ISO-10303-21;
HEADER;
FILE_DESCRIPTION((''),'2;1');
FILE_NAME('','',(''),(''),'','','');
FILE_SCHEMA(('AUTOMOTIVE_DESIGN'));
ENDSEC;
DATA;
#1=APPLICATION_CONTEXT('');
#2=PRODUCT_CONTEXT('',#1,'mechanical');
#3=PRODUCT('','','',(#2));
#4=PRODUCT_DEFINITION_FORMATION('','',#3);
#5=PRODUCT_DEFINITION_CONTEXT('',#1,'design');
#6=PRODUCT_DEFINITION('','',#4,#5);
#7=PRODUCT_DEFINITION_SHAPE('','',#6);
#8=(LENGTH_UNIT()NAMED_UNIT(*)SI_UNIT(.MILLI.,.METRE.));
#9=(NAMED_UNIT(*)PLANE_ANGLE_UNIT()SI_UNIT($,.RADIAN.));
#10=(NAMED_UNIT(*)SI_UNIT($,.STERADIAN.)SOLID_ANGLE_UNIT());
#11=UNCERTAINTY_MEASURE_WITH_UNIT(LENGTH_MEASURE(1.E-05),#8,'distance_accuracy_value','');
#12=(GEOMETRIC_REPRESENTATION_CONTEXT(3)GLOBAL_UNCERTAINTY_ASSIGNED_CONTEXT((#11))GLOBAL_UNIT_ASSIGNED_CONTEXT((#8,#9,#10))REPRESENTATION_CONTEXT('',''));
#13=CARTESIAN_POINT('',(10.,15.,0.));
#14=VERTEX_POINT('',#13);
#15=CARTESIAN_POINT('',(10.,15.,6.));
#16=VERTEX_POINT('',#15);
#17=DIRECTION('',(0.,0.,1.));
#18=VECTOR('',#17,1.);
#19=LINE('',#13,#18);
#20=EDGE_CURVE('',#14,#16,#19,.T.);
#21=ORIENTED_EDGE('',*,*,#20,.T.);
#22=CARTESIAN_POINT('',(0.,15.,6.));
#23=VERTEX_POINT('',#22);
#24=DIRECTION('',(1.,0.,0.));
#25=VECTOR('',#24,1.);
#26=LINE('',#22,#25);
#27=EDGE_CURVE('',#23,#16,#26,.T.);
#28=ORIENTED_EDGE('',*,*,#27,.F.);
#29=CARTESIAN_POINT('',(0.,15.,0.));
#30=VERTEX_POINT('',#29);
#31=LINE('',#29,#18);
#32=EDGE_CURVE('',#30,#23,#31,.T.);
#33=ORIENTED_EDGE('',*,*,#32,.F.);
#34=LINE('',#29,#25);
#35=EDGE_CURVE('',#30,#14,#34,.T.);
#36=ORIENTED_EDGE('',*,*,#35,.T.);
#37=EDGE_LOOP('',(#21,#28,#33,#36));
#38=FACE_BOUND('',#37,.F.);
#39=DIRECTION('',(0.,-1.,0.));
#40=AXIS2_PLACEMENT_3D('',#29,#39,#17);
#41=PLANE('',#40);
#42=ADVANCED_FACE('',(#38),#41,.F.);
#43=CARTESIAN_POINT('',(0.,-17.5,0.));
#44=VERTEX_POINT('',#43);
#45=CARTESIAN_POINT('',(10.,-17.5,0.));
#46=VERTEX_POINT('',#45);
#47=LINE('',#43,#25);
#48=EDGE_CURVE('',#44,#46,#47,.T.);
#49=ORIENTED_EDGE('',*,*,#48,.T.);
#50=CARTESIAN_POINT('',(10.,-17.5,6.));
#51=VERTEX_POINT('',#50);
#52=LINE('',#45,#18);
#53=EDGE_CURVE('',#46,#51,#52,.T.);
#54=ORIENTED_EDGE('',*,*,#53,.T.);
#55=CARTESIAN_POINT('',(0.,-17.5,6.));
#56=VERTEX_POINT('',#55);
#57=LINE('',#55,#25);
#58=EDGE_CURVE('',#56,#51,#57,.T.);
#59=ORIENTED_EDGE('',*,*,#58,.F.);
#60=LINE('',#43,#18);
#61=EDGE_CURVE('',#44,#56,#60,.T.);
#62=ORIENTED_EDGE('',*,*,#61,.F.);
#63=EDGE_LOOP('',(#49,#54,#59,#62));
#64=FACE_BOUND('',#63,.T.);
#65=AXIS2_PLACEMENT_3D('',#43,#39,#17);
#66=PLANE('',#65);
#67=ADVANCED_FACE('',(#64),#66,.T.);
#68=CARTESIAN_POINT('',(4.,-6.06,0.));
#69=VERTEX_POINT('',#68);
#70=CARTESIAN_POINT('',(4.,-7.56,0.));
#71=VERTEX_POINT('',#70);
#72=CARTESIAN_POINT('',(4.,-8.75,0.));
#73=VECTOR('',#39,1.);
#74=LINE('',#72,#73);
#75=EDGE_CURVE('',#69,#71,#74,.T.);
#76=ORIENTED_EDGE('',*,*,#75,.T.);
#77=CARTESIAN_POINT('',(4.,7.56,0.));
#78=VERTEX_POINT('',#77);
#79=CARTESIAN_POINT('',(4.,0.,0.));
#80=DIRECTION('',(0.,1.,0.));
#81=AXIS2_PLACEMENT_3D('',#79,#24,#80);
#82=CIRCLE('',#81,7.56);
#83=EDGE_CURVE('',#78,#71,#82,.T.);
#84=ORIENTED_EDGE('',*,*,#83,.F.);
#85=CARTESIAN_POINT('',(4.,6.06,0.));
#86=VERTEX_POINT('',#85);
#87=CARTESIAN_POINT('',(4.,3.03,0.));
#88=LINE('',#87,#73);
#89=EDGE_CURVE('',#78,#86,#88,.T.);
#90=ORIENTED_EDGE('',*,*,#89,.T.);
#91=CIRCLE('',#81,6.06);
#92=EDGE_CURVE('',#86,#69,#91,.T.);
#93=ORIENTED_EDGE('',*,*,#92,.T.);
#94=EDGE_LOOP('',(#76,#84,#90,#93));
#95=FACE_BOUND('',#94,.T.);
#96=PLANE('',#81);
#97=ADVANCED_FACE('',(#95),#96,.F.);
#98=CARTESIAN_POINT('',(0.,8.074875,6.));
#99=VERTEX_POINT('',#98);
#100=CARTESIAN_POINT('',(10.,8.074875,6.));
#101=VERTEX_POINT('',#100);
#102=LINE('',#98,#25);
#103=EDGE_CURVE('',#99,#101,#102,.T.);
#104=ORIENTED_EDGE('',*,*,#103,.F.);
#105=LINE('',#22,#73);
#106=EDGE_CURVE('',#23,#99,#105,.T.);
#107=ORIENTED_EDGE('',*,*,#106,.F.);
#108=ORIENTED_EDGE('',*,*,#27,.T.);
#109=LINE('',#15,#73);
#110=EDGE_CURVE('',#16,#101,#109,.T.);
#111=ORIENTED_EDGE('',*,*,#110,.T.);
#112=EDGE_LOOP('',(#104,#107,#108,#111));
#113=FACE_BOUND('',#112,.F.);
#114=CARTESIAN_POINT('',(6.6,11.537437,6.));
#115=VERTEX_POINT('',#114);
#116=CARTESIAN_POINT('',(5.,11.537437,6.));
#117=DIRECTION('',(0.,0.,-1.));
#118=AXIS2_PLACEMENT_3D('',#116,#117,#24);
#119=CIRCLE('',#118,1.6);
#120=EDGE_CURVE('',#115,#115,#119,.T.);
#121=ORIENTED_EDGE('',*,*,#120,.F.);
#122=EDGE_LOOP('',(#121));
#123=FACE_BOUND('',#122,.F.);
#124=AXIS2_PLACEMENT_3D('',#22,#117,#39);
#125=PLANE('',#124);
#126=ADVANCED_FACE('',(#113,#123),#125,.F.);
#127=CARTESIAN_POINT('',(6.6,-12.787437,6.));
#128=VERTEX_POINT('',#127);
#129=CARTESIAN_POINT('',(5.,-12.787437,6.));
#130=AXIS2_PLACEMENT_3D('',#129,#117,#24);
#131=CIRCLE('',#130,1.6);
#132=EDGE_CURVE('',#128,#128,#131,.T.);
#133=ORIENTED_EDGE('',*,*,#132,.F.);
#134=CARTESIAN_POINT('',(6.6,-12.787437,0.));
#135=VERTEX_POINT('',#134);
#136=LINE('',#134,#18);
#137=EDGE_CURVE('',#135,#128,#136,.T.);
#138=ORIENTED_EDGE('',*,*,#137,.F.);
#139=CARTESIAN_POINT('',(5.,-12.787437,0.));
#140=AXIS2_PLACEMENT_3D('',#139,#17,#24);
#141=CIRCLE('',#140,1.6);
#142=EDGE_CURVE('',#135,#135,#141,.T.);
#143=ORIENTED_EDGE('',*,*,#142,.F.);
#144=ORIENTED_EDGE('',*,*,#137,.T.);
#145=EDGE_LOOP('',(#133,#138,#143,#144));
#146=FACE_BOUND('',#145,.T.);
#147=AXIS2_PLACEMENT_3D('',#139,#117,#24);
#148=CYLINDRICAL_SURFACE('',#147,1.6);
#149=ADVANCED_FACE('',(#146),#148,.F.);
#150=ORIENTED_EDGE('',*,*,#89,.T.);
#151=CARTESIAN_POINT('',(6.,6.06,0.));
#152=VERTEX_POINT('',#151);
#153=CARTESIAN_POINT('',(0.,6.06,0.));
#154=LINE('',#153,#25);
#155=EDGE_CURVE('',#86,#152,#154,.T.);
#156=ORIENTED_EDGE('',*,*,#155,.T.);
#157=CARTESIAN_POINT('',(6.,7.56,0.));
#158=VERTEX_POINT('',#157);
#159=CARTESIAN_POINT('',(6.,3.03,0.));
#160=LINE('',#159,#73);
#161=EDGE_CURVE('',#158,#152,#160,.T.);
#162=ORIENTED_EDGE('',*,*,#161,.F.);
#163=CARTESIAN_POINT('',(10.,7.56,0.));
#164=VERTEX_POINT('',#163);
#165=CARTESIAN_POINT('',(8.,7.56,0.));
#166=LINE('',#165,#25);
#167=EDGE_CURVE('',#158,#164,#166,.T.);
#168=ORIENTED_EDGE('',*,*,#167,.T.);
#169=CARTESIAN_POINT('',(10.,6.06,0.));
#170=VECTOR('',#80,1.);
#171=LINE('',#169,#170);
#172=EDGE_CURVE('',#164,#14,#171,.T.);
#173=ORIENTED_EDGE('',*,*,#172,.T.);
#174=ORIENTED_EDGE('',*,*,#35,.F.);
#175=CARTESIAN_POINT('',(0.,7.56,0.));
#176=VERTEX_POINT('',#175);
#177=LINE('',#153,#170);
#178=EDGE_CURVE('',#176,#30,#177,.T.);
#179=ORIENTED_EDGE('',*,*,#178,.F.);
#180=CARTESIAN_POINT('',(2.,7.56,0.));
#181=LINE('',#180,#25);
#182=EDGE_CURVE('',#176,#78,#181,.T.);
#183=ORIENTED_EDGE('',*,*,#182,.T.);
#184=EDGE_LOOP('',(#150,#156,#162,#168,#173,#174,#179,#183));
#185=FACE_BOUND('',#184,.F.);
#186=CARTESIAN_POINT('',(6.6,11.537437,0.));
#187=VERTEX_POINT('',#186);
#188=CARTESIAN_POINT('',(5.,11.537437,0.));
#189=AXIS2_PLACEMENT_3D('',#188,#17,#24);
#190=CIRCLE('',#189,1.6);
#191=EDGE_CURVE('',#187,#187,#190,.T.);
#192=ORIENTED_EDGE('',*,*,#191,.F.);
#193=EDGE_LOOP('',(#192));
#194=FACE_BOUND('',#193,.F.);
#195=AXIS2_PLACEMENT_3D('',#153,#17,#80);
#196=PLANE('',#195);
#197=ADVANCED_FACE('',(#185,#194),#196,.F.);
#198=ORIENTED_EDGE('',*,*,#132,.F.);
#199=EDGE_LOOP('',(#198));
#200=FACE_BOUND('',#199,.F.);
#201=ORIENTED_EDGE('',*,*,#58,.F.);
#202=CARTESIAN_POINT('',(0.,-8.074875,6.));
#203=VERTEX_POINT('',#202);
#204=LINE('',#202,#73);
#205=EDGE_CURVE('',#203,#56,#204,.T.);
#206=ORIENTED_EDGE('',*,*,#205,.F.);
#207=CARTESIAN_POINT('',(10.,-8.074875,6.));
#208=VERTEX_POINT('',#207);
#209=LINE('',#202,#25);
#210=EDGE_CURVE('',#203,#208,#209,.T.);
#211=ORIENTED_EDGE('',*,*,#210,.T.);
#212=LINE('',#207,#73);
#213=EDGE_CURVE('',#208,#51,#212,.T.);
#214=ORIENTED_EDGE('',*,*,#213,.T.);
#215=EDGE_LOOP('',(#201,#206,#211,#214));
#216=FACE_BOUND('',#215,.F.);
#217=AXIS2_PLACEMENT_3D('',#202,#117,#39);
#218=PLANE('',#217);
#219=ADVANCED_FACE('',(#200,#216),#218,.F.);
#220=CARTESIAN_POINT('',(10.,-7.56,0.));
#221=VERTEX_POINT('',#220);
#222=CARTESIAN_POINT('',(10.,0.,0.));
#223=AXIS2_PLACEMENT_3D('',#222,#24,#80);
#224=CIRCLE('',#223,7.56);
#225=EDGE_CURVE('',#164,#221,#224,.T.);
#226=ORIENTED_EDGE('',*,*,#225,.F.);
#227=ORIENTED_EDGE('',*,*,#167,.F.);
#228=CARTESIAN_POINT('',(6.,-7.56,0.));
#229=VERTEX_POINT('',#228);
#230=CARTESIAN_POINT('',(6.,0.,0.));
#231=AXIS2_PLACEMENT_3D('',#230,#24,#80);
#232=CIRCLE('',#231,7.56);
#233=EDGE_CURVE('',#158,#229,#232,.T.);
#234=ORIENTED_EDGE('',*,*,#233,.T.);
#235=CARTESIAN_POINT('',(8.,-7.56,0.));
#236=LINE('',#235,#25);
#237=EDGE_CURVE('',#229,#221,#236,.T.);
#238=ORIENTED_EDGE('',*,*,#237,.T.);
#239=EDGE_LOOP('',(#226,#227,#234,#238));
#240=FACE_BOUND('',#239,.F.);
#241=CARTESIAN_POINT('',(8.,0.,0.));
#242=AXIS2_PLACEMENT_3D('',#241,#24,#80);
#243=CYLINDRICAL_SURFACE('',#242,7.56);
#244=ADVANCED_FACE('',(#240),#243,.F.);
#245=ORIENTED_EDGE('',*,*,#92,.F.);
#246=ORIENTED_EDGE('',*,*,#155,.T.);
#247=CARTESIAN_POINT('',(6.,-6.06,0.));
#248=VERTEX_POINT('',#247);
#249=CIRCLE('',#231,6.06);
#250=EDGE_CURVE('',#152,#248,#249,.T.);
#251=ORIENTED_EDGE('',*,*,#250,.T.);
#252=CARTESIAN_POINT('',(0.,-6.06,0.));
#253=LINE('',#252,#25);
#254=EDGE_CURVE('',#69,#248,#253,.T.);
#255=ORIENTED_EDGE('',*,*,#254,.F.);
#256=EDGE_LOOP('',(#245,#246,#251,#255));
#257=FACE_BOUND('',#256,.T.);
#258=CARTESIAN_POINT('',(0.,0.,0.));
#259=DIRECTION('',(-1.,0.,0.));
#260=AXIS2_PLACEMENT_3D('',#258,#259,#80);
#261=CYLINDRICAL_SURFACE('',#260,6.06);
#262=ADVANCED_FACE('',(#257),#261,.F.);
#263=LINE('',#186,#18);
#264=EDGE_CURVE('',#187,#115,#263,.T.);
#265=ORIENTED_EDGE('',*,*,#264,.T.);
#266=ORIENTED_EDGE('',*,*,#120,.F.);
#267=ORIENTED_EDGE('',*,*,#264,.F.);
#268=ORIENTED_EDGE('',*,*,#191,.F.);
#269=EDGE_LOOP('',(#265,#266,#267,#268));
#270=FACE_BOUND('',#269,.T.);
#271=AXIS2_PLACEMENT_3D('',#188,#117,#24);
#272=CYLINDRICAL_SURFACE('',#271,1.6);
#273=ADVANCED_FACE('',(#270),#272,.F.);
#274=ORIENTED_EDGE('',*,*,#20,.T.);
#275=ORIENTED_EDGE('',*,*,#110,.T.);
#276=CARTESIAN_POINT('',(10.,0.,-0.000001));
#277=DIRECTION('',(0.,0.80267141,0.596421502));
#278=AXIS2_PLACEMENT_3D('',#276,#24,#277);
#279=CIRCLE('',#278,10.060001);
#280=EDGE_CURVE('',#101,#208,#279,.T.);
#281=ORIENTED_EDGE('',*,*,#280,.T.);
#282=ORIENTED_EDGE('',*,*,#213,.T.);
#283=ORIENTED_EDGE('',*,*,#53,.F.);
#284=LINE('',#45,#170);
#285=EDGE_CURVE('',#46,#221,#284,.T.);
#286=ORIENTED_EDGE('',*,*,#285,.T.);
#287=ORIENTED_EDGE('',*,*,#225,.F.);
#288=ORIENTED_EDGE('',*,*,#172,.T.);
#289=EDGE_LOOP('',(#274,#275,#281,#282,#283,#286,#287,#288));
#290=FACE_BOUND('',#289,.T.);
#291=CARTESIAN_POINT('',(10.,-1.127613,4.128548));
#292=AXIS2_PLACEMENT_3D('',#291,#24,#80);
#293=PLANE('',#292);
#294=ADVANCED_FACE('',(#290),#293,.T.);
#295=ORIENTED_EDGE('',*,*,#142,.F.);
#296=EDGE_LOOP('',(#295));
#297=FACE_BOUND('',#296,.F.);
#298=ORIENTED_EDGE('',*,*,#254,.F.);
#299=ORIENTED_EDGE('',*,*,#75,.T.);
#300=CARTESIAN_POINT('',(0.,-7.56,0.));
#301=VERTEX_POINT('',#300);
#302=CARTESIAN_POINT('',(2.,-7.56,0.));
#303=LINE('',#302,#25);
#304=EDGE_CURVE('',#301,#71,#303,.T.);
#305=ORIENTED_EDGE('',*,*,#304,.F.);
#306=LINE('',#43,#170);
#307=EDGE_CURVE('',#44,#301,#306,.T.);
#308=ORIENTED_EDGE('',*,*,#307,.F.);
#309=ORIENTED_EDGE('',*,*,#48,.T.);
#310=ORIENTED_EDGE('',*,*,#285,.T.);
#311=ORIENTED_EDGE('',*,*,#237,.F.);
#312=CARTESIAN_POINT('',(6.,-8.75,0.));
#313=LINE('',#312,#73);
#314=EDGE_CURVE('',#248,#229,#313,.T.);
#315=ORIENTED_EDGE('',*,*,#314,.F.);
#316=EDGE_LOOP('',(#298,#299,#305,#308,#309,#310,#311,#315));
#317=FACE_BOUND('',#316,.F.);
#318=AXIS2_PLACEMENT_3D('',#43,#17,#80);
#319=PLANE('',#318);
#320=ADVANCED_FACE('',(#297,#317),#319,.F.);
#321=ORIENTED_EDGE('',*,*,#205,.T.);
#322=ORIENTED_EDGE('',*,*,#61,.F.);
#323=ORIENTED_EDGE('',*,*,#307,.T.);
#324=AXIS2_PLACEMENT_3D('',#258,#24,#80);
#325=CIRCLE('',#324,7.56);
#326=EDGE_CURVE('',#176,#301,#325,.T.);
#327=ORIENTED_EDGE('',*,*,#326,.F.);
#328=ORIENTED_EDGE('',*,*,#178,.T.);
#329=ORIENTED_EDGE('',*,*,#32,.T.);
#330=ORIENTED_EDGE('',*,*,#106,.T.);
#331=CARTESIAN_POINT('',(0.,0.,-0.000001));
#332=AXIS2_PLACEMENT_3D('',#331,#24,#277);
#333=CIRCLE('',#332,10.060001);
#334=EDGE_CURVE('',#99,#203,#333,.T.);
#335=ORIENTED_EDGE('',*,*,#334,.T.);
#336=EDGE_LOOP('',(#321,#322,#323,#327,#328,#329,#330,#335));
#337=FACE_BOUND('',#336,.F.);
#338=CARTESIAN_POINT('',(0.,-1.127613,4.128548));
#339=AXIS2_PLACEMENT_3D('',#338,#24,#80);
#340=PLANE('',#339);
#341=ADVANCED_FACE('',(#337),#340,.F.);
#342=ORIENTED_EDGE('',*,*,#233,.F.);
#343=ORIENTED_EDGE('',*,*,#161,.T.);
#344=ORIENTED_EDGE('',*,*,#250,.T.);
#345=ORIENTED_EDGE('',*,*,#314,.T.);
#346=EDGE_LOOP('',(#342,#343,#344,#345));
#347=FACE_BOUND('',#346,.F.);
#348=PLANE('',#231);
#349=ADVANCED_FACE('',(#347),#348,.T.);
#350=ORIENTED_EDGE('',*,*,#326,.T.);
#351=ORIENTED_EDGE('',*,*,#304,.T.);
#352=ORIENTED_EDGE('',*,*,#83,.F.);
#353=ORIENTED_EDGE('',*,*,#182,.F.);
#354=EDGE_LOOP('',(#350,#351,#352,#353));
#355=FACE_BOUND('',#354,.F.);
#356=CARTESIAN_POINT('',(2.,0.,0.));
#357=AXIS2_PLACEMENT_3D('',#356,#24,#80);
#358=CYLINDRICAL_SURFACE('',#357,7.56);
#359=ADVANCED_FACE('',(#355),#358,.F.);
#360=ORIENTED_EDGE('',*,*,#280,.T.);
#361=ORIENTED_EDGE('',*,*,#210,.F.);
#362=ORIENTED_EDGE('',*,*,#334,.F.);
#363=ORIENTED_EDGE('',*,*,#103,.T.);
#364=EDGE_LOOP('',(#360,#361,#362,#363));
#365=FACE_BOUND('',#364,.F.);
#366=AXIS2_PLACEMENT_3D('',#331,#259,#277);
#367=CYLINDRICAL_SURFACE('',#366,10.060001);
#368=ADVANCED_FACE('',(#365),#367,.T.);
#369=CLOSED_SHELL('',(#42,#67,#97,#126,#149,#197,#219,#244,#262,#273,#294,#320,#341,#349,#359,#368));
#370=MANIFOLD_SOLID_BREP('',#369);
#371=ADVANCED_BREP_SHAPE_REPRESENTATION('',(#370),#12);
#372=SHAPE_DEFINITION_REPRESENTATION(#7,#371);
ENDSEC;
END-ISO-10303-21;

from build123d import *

# Parameters (mm, degrees)
PAD005_DEPTH    = 10
SKETCH015_W     = 4
SKETCH015_H     = 1.5
SKETCH016_R     = 1.6
POCKET003_DEPTH = 10.061


with BuildPart() as part:
    # Sketch014 → Pad005 (new body)
    with BuildSketch(Plane.YZ):
        with BuildLine():
            Line((-17.5, 0), (-6.06, 0))
            ThreePointArc((6.06, 0), (0, 6.06), (-6.06, 0))
            Line((6.06, 0), (15, 0))
            Line((15, 0), (15, 6))
            Line((15, 6), (8.074875, 6))
            ThreePointArc((8.074875, 6), (0, 10.06), (-8.074875, 6))
            Line((-8.074875, 6), (-17.5, 6))
            Line((-17.5, 0), (-17.5, 6))
        make_face()
    extrude(amount=PAD005_DEPTH)

    # Sketch015 → Groove005 (revolve, cut)
    with BuildSketch(Plane.XY):
        with Locations((8, 6.81)):
            Rectangle(SKETCH015_W, SKETCH015_H)
        with Locations((2, 6.81)):
            Rectangle(SKETCH015_W, SKETCH015_H)
    revolve(axis=Axis((0, 0, 0), (1, 0, 0)), mode=Mode.SUBTRACT)

    # Sketch016 → Pocket003 (cut, through all)
    with BuildSketch(Plane.XY):
        with Locations((5, 11.537437)):
            Circle(SKETCH016_R)
        with Locations((5, -12.787437)):
            Circle(SKETCH016_R)
    extrude(amount=POCKET003_DEPTH, mode=Mode.SUBTRACT)


solid = part.part
